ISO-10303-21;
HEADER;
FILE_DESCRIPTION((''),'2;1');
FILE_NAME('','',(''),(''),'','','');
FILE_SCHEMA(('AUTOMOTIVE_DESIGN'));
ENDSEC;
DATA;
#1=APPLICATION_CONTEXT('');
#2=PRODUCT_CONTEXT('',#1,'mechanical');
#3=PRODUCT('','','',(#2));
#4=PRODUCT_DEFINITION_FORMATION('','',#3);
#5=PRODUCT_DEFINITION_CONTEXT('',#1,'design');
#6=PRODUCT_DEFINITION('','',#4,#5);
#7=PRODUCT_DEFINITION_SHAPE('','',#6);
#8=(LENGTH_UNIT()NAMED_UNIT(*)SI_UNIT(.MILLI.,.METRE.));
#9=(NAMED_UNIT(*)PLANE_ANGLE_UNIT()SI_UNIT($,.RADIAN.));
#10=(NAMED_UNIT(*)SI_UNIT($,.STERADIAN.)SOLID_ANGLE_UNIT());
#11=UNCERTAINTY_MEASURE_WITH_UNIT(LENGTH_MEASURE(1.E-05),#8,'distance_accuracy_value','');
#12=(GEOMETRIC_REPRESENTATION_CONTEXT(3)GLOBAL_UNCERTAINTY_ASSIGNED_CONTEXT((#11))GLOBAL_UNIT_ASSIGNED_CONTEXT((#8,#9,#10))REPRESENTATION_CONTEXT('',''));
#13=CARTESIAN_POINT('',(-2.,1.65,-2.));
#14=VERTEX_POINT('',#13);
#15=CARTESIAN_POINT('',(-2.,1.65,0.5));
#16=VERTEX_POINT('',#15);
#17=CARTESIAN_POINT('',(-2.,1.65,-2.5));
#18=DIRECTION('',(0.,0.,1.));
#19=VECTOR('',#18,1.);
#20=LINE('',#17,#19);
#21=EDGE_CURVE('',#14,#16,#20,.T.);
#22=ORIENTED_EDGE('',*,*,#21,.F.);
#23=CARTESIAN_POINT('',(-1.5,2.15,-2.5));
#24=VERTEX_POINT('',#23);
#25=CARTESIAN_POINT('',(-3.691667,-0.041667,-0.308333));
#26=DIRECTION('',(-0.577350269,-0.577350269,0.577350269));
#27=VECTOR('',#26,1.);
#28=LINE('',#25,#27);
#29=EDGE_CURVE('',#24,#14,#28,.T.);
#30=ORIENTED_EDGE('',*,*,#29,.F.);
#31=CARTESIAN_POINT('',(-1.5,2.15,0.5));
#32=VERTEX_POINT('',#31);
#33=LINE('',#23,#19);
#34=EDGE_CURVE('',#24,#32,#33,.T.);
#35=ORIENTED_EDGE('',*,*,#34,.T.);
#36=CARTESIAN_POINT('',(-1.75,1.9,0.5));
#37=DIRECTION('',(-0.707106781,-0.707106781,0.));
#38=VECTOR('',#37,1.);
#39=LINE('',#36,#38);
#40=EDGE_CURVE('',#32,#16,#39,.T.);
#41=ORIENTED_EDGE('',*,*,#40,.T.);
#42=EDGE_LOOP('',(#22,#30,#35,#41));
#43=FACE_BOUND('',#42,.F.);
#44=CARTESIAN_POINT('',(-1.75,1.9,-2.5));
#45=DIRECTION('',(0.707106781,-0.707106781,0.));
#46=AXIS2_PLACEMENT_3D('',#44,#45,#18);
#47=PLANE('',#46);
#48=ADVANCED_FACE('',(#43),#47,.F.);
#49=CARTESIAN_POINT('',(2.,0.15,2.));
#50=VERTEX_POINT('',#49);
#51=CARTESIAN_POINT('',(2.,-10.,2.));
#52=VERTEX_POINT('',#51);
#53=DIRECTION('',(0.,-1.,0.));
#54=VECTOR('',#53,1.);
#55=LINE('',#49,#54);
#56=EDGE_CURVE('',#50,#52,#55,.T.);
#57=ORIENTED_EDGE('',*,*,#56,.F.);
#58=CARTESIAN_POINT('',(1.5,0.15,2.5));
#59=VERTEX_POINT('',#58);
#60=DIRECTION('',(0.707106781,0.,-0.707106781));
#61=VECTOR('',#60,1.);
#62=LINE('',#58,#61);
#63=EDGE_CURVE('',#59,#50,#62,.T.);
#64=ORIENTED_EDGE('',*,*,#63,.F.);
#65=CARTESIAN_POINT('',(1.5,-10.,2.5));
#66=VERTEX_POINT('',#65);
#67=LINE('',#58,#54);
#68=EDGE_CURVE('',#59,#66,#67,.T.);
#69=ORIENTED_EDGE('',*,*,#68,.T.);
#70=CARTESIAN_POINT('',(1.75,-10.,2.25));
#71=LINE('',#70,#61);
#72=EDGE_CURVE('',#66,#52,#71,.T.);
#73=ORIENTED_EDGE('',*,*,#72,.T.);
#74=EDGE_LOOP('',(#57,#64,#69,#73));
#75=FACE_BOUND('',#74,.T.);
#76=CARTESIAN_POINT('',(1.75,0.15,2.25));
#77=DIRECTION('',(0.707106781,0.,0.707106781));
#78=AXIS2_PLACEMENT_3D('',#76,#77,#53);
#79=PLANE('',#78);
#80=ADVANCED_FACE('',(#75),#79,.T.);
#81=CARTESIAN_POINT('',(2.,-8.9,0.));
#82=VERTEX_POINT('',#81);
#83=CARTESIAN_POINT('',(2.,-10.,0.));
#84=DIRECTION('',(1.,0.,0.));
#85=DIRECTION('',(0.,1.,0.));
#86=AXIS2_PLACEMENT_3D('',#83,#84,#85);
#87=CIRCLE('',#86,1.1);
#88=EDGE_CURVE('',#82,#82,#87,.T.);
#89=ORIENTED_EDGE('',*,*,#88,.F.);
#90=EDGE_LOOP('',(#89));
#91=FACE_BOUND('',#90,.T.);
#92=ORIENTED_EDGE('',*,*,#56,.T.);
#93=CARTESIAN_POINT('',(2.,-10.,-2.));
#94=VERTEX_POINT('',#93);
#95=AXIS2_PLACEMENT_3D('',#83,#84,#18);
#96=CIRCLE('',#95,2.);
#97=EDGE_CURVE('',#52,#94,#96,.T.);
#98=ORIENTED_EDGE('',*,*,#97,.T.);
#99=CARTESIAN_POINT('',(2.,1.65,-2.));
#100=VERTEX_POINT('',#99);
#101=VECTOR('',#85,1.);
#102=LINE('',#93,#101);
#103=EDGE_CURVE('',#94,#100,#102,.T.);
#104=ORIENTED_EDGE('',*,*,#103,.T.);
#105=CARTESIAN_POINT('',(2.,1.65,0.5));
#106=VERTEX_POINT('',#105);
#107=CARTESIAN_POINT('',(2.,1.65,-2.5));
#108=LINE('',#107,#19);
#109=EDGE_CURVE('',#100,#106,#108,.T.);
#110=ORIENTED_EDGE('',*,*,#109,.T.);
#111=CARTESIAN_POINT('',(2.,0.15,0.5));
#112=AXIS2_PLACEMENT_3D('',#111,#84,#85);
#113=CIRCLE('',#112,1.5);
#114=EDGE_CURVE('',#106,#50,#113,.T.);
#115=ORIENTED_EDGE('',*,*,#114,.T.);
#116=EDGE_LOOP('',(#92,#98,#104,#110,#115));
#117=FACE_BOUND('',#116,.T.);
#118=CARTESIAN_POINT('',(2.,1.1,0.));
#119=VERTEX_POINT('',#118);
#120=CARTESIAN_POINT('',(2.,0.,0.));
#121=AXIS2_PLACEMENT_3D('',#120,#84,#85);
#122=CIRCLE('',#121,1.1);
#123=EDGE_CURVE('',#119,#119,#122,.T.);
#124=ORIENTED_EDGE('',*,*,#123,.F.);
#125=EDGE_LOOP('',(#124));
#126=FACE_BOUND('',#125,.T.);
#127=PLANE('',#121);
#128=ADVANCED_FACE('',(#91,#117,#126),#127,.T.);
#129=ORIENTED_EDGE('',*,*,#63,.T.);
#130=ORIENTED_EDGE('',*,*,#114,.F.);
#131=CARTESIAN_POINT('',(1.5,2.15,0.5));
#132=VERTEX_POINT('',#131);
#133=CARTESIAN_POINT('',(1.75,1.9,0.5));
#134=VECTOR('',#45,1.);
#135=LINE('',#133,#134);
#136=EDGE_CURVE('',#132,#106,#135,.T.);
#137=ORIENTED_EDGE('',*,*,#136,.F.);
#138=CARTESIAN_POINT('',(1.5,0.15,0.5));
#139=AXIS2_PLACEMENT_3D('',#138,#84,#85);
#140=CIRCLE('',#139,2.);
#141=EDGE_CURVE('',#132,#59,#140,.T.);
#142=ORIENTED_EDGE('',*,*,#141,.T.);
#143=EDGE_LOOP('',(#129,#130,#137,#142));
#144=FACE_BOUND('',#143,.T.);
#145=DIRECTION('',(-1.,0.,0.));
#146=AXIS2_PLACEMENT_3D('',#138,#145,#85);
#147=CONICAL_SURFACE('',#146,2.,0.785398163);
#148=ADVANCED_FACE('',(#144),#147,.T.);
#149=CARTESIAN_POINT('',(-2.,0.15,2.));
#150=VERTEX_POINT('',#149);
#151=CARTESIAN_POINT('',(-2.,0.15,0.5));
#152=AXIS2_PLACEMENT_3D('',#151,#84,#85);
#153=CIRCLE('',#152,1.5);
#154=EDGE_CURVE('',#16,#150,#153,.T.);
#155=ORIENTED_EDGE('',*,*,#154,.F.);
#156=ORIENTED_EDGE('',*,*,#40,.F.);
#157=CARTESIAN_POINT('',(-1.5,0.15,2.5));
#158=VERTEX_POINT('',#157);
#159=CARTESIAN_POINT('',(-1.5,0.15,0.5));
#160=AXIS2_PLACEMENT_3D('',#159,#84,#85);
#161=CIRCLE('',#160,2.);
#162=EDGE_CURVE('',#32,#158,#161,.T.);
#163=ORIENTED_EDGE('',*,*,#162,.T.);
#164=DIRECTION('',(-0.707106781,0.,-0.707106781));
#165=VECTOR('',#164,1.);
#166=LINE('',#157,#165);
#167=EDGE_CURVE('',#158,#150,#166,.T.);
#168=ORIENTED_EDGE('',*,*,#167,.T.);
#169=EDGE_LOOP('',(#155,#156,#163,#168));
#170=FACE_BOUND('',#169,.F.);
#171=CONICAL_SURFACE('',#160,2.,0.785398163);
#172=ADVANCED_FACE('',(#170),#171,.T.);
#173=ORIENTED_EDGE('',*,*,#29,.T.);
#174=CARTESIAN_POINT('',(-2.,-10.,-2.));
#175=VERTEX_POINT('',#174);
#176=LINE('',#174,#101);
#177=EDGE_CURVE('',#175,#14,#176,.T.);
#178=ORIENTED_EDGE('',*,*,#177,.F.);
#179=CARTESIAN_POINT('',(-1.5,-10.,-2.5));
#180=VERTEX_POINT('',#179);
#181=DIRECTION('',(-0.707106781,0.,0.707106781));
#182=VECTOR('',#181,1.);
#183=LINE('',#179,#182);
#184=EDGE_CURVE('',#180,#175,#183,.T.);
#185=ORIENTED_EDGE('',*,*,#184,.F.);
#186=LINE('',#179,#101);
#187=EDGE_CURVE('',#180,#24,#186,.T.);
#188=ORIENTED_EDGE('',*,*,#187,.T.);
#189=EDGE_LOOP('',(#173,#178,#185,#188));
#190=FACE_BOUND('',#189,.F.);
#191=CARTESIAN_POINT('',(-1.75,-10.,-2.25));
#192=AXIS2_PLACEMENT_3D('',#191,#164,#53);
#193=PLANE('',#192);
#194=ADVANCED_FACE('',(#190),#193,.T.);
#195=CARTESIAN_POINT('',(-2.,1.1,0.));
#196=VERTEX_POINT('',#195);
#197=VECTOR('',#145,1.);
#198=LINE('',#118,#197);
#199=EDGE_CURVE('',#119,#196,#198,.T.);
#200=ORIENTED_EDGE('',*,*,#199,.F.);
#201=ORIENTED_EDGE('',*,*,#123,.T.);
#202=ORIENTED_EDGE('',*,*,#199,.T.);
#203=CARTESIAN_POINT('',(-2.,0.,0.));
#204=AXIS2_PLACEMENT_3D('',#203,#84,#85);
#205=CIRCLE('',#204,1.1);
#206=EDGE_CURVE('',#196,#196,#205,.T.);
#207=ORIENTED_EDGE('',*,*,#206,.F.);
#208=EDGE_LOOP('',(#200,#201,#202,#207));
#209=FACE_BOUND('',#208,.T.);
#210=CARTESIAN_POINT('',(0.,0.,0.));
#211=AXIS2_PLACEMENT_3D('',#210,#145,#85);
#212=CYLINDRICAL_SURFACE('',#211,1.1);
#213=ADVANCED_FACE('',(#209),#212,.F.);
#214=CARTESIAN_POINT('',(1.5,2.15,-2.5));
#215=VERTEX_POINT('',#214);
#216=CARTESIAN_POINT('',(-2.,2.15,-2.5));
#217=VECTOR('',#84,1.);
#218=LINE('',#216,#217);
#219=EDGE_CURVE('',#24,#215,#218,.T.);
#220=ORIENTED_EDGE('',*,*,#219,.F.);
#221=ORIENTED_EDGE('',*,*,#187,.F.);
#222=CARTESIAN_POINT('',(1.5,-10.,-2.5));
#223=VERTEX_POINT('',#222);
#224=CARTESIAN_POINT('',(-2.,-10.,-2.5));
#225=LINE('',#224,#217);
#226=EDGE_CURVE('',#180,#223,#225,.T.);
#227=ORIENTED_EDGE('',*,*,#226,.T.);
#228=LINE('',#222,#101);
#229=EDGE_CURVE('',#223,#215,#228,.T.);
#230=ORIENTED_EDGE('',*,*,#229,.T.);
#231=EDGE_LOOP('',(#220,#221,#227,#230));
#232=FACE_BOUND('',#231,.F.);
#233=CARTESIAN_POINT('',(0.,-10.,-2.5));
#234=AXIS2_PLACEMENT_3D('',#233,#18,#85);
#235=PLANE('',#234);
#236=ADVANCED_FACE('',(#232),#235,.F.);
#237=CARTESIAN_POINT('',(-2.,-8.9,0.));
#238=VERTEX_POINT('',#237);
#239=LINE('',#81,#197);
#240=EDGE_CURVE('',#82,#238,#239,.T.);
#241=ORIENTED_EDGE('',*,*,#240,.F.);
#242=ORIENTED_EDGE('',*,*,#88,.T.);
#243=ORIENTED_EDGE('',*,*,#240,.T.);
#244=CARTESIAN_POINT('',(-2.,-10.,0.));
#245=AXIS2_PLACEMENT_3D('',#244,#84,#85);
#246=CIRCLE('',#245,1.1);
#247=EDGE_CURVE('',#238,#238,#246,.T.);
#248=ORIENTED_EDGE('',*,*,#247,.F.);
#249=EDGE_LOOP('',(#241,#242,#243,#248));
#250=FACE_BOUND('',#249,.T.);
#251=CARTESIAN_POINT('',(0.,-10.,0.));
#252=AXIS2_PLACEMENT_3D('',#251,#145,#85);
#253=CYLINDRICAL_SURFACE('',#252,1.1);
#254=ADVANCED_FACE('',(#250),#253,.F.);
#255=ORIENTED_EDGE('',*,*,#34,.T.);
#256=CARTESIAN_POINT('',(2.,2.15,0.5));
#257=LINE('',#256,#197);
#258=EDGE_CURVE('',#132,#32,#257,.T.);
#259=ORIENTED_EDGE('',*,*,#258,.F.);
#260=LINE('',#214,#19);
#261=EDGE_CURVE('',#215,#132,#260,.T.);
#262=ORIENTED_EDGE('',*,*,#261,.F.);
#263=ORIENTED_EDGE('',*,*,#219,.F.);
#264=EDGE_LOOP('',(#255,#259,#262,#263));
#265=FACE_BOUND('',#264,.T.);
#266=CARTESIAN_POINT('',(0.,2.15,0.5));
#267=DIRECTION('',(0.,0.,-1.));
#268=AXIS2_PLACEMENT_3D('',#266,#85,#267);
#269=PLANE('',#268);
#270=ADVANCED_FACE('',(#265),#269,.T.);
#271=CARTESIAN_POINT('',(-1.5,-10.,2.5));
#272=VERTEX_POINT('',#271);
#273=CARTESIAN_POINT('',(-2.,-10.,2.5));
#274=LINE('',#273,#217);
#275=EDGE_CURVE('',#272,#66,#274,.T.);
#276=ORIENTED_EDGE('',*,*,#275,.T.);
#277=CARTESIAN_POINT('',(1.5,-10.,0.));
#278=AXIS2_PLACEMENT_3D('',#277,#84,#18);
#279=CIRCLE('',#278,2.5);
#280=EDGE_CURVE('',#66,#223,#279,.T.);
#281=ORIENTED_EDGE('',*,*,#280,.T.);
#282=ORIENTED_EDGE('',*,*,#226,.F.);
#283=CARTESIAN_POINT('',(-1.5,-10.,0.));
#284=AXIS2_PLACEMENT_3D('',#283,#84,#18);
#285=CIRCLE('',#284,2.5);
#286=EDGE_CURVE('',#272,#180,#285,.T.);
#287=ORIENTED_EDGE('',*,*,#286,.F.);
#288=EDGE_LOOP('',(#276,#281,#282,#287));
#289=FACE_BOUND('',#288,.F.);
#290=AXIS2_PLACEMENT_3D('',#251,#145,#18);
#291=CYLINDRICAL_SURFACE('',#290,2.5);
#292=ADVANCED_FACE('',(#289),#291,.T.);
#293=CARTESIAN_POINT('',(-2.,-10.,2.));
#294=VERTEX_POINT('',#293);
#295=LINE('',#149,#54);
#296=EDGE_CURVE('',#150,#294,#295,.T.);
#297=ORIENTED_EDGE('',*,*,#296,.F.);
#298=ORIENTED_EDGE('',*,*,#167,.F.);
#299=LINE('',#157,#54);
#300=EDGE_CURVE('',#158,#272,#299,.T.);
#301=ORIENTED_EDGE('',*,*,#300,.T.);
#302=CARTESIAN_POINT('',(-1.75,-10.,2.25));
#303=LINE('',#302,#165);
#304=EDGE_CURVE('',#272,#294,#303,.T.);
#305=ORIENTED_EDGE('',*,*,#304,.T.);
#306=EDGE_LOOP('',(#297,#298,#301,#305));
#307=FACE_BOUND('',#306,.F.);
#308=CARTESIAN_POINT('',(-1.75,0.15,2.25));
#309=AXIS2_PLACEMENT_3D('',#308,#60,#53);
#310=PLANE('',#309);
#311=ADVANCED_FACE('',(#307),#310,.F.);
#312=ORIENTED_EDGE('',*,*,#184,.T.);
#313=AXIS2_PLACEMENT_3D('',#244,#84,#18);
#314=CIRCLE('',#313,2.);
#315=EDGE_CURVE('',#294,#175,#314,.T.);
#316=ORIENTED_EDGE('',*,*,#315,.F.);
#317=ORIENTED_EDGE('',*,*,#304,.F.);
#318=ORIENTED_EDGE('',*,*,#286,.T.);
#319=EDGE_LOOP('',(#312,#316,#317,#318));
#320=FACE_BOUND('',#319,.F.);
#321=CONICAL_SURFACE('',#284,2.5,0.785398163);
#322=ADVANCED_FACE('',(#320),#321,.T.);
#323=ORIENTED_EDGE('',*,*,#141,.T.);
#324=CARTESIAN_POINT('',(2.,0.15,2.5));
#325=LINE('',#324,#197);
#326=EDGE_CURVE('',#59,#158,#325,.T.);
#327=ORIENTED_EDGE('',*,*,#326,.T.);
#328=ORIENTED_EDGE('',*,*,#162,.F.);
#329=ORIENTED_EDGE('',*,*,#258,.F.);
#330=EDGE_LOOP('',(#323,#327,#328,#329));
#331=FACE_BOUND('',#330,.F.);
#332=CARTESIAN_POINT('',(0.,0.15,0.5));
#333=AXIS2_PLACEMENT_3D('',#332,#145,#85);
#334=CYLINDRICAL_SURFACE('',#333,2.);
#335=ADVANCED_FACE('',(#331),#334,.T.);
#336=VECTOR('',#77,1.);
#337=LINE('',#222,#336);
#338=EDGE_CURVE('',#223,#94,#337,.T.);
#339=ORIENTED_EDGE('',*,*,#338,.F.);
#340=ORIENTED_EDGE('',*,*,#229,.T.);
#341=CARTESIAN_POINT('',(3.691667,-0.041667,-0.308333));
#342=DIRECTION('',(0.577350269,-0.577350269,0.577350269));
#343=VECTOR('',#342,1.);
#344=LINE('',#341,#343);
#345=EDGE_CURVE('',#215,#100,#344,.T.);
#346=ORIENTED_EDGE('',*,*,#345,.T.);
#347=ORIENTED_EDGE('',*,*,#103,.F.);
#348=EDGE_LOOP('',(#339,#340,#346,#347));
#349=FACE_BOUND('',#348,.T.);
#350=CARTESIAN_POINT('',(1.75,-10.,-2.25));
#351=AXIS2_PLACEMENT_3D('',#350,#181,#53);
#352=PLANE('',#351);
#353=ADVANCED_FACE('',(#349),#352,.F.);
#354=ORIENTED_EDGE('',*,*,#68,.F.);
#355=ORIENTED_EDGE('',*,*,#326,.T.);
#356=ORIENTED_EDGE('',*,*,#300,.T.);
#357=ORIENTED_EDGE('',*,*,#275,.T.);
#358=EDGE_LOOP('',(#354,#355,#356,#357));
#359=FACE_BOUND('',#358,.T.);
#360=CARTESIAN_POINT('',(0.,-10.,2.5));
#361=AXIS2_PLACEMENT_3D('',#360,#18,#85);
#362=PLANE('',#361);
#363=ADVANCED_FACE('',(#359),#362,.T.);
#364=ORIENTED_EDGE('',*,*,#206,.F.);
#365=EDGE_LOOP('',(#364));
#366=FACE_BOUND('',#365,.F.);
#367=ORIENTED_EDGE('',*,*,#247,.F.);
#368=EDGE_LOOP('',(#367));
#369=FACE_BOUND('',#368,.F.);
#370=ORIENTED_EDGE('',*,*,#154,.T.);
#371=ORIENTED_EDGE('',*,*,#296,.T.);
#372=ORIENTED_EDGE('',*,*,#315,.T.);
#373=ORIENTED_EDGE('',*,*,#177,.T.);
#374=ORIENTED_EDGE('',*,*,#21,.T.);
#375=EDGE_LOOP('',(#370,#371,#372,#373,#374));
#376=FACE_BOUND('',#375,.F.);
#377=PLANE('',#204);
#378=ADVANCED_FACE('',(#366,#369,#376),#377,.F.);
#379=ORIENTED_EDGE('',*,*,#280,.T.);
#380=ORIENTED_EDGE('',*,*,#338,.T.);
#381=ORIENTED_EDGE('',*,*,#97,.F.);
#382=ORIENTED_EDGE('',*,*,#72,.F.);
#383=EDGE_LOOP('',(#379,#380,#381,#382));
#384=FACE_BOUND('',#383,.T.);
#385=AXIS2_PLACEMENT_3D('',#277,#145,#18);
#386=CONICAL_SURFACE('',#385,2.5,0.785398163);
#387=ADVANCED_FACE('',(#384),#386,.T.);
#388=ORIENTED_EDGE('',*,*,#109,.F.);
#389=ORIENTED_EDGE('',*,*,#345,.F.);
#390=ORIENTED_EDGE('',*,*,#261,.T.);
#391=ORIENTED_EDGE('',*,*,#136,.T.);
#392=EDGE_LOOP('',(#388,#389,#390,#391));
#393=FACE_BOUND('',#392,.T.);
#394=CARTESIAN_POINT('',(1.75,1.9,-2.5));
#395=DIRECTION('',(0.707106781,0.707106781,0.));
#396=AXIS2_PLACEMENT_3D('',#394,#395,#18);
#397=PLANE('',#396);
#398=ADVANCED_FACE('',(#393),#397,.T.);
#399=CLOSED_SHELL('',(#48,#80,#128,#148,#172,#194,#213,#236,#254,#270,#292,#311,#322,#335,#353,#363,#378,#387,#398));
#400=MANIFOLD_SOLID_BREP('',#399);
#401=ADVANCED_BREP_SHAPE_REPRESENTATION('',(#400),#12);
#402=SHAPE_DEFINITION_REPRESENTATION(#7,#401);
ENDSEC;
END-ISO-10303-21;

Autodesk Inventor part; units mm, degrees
ref_plane "YZ Plane" through (0, 0, 0) normal (1, 0, 0) x (0, 1, 0)
ref_plane "XZ Plane" through (0, 0, 0) normal (0, 1, 0) x (-1, 0, 0)
ref_plane "XY Plane" through (0, 0, 0) normal (0, 0, 1) x (1, 0, 0)
sketch "Skizze1" plane through (0, 0, 0) normal (1, 0, 0) x (0, 1, 0)
  line L0 (0, 0) -> (-10, 0) construction
  circle A0 centre (0, 0) radius 1.1
  circle A1 centre (-10, 0) radius 1.1
  arc A2 (-10, 2.5) -> (-10, -2.5) centre (-10, 0) ccw
  line L1 (-10, -2.5) -> (2.15, -2.5)
  line L2 (-10, 2.5) -> (0.15, 2.5)
  arc A3 (2.15, 0.5) -> (0.15, 2.5) centre (0.15, 0.5) ccw
  line L3 (2.15, 0.5) -> (2.15, -2.5)
  dimension "d0" = 10
  dimension "d1" = 2.2
  dimension "d2" = 2.2
  dimension "d3" = 2.5
  dimension "d8" = 2
  dimension "d9" = 2.15
extrude "Extrusion1" add sketch "Skizze1" along normal mid plane 4
chamfer "Fase1" distance 0.5 angle 45 10 edges at (2, 1.5642, 1.9142) (2, -4.925, 2.5) (2, -12.5, 0) (2, -3.925, -2.5) (2, 2.15, -1) (-2, 1.5642, 1.9142) (-2, -4.925, 2.5) (-2, -12.5, 0) (-2, -3.925, -2.5) (-2, 2.15, -1)
equation "\"d2\" = d1"
properties part number "Chipanschlag T0"
